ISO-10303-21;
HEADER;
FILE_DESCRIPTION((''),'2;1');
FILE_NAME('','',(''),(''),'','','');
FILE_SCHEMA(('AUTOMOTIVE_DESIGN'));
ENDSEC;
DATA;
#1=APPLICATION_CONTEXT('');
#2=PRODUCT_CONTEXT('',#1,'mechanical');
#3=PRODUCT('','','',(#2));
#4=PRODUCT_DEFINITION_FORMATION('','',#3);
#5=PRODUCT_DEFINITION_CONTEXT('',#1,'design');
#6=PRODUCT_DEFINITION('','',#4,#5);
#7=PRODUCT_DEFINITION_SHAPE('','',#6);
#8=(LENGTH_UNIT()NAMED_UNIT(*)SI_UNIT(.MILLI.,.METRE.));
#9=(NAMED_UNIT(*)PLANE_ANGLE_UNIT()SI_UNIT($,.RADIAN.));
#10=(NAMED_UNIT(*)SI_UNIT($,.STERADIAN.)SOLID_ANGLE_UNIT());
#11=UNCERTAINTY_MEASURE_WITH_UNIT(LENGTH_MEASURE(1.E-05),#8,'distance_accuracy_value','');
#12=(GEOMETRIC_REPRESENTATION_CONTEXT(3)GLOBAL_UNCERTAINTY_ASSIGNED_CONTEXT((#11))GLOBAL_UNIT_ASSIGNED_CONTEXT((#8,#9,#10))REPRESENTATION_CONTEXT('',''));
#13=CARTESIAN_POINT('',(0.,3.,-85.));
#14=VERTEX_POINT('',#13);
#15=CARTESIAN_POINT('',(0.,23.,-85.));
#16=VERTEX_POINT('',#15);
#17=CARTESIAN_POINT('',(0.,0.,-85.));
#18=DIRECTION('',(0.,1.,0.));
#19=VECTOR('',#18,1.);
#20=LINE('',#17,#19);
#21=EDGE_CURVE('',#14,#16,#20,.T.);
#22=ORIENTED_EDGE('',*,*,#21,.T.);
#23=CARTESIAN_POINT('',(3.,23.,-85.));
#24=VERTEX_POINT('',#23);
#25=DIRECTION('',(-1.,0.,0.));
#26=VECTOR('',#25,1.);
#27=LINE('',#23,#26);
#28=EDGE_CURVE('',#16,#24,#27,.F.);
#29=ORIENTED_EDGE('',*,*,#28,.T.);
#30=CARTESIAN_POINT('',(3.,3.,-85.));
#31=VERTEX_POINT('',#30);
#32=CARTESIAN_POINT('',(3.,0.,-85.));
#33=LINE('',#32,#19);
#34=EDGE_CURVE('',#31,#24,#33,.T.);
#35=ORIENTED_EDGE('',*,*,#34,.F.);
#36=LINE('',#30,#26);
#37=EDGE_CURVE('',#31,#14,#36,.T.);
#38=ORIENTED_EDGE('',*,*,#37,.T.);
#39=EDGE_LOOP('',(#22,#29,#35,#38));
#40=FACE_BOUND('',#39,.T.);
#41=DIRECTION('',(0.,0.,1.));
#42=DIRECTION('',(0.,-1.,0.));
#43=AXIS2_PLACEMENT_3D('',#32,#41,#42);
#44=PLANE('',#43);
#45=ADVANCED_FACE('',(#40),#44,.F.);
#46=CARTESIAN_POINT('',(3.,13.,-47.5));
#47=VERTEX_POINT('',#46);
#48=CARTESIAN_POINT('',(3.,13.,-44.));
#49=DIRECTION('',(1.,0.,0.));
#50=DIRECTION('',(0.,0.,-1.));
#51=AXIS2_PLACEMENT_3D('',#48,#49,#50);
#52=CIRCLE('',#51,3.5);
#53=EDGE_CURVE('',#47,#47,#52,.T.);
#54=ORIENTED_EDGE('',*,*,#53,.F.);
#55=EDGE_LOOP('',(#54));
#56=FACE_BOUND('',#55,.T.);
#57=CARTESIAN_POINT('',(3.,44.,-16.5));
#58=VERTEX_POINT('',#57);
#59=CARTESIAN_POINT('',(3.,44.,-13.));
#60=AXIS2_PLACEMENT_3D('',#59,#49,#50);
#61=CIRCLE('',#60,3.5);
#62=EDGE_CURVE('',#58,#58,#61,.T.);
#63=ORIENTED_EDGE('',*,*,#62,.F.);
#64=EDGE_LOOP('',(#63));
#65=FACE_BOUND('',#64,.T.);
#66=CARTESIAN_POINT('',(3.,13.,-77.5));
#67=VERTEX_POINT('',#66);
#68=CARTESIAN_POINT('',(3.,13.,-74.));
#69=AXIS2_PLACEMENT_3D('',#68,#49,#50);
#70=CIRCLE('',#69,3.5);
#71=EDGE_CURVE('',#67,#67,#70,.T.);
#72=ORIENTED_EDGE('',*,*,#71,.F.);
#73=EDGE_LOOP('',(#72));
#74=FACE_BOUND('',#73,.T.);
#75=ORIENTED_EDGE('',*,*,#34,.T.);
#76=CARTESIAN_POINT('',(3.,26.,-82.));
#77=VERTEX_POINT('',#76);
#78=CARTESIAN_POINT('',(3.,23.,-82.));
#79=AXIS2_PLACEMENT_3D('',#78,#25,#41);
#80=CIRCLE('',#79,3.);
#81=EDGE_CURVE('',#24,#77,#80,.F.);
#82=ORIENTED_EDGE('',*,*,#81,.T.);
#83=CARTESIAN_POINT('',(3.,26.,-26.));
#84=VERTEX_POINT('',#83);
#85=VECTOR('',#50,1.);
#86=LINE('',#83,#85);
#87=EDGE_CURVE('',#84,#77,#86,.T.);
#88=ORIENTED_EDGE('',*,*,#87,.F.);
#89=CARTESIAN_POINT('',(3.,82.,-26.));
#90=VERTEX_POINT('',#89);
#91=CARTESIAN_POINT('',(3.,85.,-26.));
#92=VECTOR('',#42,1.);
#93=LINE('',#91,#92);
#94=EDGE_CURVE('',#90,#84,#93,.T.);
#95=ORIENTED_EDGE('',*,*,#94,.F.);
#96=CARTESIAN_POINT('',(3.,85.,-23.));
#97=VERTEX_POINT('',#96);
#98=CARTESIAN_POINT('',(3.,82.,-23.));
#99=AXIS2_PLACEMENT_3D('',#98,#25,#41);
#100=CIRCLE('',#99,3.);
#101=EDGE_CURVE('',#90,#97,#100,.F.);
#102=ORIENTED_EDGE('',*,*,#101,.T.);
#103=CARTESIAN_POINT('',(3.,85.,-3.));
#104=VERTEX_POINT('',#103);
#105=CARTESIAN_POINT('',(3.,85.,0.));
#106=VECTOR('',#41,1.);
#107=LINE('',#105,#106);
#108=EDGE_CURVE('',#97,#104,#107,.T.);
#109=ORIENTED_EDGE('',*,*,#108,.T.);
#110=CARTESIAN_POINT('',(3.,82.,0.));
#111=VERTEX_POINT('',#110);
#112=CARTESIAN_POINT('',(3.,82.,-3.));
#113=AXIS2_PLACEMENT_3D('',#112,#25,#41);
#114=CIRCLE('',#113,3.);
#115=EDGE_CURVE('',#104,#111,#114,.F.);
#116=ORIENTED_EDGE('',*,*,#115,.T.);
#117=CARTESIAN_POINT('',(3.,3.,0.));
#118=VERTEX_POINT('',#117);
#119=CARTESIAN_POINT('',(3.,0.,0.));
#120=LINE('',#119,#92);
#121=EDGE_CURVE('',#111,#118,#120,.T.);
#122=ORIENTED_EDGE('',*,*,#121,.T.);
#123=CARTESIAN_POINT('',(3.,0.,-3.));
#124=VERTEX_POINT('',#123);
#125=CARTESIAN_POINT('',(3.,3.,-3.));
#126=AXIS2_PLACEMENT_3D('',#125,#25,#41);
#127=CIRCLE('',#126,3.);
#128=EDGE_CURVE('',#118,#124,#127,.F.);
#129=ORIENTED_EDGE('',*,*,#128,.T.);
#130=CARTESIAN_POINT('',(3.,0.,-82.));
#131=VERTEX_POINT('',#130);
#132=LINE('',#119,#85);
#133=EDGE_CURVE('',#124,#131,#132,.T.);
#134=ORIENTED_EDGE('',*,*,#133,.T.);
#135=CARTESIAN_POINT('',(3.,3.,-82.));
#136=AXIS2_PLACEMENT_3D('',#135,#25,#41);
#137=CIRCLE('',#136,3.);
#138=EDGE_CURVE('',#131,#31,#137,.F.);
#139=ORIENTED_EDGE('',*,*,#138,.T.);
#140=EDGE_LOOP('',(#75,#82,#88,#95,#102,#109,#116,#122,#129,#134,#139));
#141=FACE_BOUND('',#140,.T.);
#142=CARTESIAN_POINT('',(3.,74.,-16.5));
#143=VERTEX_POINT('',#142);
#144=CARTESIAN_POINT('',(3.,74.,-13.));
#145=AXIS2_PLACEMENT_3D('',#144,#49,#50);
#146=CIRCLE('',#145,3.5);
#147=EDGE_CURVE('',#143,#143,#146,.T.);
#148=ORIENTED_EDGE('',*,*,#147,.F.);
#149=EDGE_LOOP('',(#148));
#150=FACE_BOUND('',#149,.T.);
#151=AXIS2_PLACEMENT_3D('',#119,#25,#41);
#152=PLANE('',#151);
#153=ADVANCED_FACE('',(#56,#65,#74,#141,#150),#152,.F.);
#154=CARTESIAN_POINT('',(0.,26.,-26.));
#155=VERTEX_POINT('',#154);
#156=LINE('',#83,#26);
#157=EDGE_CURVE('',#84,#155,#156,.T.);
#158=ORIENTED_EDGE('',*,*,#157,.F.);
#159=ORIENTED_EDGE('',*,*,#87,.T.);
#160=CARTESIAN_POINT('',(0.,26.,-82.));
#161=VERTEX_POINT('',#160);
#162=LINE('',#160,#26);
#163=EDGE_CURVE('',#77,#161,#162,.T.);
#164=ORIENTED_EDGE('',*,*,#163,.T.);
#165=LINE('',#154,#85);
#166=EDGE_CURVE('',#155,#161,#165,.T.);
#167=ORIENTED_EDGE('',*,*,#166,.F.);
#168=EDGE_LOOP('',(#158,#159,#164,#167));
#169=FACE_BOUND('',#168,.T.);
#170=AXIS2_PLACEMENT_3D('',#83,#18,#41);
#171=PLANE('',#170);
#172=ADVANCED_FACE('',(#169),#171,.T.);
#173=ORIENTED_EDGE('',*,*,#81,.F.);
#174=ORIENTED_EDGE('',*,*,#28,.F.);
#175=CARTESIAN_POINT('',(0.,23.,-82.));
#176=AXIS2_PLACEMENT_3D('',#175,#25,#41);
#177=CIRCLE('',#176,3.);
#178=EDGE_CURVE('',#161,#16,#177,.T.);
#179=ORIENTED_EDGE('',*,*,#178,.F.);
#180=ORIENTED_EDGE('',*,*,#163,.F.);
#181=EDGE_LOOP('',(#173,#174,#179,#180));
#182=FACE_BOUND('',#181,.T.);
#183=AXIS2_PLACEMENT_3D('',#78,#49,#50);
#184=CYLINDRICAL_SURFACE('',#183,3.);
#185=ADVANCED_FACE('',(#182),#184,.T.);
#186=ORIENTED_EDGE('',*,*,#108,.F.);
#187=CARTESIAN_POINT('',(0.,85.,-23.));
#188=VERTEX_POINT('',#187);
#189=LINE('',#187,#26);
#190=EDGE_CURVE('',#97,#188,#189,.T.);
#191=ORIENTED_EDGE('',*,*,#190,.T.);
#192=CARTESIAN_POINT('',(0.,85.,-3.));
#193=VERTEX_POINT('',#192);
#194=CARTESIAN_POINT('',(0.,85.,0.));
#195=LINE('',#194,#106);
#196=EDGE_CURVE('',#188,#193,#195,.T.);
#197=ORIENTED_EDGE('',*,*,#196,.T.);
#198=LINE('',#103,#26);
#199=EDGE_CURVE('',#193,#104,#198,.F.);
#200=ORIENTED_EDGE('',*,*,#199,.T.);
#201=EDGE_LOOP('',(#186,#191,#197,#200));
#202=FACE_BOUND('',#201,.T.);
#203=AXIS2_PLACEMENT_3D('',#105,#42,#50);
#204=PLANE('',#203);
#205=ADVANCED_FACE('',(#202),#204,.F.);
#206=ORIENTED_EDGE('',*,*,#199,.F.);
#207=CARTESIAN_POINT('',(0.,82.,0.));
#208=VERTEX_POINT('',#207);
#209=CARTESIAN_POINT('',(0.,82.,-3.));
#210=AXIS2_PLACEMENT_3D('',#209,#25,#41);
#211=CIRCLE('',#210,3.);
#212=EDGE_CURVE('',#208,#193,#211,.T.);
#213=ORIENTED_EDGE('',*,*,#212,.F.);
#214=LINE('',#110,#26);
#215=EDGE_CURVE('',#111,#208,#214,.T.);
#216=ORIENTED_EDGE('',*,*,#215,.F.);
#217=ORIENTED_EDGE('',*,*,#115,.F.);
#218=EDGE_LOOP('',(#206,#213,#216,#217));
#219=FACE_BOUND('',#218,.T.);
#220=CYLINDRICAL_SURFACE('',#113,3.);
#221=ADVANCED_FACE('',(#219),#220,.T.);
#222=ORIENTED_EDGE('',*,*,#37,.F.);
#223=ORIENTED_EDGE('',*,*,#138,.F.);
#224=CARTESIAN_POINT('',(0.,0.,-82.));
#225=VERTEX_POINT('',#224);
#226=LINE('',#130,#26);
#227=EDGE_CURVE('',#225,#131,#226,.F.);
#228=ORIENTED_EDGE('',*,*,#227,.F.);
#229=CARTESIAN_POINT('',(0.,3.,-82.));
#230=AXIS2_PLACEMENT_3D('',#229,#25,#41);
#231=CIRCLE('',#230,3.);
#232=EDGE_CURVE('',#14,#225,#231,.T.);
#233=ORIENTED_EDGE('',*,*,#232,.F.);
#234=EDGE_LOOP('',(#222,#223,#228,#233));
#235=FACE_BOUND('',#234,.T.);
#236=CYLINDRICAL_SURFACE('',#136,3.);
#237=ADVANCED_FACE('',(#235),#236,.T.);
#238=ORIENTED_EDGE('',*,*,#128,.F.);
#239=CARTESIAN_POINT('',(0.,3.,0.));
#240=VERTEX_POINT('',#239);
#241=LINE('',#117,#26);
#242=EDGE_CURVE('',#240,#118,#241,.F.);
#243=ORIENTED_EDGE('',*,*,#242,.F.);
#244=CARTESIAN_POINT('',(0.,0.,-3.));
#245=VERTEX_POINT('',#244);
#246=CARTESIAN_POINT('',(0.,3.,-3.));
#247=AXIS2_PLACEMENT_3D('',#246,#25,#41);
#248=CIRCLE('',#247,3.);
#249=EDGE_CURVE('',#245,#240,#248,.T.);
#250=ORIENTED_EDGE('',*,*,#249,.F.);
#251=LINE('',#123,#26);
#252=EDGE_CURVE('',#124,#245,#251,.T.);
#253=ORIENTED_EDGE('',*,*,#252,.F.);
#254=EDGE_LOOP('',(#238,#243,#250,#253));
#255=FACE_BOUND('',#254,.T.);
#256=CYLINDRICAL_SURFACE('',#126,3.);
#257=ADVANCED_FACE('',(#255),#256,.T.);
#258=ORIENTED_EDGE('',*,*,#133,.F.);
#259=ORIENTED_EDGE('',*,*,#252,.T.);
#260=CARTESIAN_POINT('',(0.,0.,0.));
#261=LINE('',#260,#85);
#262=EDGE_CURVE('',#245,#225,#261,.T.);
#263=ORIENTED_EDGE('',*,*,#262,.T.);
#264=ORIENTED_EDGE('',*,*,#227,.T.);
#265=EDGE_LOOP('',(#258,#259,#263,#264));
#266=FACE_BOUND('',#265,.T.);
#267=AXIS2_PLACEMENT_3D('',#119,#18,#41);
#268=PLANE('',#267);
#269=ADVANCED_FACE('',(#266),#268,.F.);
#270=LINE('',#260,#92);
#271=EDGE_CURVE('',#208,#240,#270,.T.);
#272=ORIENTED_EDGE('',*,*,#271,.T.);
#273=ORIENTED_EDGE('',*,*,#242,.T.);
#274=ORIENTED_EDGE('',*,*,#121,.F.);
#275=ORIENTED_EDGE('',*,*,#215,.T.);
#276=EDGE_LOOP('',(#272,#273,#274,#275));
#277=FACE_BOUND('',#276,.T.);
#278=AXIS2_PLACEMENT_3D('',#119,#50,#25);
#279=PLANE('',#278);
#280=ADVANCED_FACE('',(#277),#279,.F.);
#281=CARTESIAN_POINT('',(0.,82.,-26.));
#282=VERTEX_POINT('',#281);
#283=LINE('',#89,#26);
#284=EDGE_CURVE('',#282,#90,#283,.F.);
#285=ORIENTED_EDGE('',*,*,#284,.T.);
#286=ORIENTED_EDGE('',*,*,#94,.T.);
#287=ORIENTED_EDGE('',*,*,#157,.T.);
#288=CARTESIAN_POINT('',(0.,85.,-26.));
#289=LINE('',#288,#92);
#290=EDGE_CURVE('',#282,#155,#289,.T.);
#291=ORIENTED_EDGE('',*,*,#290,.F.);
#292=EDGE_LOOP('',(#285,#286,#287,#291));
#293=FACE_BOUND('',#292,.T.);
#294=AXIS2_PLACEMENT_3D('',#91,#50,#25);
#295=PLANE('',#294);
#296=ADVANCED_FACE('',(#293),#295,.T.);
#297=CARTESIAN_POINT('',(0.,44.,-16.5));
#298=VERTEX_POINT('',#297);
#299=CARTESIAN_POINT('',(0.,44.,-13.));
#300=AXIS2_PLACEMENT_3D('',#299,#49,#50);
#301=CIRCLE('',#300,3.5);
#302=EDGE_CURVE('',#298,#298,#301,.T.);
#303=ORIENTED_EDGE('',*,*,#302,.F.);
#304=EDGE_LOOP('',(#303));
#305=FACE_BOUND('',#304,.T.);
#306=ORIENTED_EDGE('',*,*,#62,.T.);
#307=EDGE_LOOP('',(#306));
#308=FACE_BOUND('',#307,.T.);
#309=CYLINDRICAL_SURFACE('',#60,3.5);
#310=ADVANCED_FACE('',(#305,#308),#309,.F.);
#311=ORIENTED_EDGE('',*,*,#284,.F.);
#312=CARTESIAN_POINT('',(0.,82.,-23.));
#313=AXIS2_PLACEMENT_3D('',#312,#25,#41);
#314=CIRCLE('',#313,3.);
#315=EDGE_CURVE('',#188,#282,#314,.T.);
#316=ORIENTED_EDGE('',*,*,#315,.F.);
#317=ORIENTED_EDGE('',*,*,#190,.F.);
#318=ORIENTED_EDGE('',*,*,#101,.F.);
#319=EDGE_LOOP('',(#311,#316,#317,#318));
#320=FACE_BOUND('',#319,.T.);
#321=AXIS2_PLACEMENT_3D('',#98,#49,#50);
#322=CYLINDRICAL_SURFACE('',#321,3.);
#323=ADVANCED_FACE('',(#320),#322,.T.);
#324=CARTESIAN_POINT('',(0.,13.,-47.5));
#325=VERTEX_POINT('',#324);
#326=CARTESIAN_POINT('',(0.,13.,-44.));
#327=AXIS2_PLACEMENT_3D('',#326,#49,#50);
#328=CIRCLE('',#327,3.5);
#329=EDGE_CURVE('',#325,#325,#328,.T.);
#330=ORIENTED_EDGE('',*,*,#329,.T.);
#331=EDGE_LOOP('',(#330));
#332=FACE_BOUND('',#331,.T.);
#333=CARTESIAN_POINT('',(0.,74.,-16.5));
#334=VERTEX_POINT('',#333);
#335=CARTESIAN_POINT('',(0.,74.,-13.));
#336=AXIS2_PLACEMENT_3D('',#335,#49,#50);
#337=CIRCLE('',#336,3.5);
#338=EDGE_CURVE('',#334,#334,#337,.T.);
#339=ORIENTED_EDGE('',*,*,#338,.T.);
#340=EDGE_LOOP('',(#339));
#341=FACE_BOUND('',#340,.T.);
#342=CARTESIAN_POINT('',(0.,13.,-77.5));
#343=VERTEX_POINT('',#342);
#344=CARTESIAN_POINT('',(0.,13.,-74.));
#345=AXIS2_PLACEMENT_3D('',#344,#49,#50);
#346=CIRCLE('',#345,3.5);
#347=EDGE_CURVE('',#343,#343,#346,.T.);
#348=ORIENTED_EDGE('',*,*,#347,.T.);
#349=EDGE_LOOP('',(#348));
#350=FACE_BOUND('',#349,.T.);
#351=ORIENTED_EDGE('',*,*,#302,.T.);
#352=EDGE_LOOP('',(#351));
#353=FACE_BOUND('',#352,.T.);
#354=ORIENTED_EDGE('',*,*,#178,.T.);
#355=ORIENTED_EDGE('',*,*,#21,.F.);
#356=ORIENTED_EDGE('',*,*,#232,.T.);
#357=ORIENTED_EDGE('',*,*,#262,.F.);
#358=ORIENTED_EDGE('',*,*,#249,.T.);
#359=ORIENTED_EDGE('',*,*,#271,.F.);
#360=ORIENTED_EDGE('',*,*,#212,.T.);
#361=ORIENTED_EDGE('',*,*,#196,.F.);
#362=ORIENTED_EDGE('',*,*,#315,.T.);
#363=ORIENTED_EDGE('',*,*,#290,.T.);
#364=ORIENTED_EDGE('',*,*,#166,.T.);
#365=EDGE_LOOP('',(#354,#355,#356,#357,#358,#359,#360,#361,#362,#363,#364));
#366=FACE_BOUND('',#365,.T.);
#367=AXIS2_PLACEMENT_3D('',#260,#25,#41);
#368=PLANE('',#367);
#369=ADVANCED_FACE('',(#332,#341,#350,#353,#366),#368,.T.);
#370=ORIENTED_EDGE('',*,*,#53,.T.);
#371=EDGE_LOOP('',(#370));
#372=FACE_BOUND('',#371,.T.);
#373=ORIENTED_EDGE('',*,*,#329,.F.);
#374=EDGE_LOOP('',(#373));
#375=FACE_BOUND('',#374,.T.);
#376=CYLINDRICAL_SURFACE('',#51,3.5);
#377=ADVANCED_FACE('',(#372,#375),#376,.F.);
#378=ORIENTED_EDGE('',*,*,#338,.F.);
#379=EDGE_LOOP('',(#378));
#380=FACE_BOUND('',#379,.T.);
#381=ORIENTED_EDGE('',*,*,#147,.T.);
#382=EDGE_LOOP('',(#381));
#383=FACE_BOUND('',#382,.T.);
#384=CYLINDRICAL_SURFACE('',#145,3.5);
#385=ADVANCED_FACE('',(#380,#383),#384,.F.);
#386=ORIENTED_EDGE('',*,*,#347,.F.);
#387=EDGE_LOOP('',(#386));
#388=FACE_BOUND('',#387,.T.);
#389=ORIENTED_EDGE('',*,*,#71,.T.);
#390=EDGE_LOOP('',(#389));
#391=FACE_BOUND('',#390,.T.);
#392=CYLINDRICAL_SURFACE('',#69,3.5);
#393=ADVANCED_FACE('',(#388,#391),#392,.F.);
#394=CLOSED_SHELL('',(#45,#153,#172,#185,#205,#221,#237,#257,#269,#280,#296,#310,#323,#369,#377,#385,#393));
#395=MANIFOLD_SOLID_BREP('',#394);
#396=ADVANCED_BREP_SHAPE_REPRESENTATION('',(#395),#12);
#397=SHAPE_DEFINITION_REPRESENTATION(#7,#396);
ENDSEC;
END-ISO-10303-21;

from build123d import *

# Parameters (mm, degrees)
SKETCH1_W           = 85
SKETCH1_H           = 85
BOSS_EXTRUDE1_DEPTH = 3
SKETCH2_W           = 59
SKETCH2_H           = 59
CUT_EXTRUDE1_DEPTH  = 4
DIAMETERHOLE1_D     = 7
FILLET1_R           = 3


with BuildPart() as part:
    # Sketch1 → Boss-Extrude1 (new body)
    with BuildSketch(Plane(origin=(0, 0, 0), x_dir=(0, 0, -1), z_dir=(1, 0, 0))):
        with Locations((42.5, 42.5)):
            Rectangle(SKETCH1_W, SKETCH1_H)
    extrude(amount=BOSS_EXTRUDE1_DEPTH)

    # Sketch2 → Cut-Extrude1 (cut, through all)
    with BuildSketch(Plane(origin=(0, 0, 0), x_dir=(0, 0, -1), z_dir=(1, 0, 0))):
        with Locations((55.5, 55.5)):
            Rectangle(SKETCH2_W, SKETCH2_H)
    extrude(amount=CUT_EXTRUDE1_DEPTH, mode=Mode.SUBTRACT)

    # DiameterHole1 (through all)
    with Locations(Plane(origin=(3, 0, 0), x_dir=(0, 0, -1), z_dir=(1, 0, 0))):
        with Locations((13, 74), (13, 44), (74, 13), (44, 13)):
            Hole(DIAMETERHOLE1_D / 2)

    # Fillet1
    fillet1_edges = [part.edges().sort_by_distance(p)[0] for p in [
        (1.5, 85, -26),
        (1.5, 26, -85),
        (1.5, 0, -85),
        (1.5, 0, 0),
        (1.5, 85, 0),
    ]]
    fillet(fillet1_edges, radius=FILLET1_R)


solid = part.part
